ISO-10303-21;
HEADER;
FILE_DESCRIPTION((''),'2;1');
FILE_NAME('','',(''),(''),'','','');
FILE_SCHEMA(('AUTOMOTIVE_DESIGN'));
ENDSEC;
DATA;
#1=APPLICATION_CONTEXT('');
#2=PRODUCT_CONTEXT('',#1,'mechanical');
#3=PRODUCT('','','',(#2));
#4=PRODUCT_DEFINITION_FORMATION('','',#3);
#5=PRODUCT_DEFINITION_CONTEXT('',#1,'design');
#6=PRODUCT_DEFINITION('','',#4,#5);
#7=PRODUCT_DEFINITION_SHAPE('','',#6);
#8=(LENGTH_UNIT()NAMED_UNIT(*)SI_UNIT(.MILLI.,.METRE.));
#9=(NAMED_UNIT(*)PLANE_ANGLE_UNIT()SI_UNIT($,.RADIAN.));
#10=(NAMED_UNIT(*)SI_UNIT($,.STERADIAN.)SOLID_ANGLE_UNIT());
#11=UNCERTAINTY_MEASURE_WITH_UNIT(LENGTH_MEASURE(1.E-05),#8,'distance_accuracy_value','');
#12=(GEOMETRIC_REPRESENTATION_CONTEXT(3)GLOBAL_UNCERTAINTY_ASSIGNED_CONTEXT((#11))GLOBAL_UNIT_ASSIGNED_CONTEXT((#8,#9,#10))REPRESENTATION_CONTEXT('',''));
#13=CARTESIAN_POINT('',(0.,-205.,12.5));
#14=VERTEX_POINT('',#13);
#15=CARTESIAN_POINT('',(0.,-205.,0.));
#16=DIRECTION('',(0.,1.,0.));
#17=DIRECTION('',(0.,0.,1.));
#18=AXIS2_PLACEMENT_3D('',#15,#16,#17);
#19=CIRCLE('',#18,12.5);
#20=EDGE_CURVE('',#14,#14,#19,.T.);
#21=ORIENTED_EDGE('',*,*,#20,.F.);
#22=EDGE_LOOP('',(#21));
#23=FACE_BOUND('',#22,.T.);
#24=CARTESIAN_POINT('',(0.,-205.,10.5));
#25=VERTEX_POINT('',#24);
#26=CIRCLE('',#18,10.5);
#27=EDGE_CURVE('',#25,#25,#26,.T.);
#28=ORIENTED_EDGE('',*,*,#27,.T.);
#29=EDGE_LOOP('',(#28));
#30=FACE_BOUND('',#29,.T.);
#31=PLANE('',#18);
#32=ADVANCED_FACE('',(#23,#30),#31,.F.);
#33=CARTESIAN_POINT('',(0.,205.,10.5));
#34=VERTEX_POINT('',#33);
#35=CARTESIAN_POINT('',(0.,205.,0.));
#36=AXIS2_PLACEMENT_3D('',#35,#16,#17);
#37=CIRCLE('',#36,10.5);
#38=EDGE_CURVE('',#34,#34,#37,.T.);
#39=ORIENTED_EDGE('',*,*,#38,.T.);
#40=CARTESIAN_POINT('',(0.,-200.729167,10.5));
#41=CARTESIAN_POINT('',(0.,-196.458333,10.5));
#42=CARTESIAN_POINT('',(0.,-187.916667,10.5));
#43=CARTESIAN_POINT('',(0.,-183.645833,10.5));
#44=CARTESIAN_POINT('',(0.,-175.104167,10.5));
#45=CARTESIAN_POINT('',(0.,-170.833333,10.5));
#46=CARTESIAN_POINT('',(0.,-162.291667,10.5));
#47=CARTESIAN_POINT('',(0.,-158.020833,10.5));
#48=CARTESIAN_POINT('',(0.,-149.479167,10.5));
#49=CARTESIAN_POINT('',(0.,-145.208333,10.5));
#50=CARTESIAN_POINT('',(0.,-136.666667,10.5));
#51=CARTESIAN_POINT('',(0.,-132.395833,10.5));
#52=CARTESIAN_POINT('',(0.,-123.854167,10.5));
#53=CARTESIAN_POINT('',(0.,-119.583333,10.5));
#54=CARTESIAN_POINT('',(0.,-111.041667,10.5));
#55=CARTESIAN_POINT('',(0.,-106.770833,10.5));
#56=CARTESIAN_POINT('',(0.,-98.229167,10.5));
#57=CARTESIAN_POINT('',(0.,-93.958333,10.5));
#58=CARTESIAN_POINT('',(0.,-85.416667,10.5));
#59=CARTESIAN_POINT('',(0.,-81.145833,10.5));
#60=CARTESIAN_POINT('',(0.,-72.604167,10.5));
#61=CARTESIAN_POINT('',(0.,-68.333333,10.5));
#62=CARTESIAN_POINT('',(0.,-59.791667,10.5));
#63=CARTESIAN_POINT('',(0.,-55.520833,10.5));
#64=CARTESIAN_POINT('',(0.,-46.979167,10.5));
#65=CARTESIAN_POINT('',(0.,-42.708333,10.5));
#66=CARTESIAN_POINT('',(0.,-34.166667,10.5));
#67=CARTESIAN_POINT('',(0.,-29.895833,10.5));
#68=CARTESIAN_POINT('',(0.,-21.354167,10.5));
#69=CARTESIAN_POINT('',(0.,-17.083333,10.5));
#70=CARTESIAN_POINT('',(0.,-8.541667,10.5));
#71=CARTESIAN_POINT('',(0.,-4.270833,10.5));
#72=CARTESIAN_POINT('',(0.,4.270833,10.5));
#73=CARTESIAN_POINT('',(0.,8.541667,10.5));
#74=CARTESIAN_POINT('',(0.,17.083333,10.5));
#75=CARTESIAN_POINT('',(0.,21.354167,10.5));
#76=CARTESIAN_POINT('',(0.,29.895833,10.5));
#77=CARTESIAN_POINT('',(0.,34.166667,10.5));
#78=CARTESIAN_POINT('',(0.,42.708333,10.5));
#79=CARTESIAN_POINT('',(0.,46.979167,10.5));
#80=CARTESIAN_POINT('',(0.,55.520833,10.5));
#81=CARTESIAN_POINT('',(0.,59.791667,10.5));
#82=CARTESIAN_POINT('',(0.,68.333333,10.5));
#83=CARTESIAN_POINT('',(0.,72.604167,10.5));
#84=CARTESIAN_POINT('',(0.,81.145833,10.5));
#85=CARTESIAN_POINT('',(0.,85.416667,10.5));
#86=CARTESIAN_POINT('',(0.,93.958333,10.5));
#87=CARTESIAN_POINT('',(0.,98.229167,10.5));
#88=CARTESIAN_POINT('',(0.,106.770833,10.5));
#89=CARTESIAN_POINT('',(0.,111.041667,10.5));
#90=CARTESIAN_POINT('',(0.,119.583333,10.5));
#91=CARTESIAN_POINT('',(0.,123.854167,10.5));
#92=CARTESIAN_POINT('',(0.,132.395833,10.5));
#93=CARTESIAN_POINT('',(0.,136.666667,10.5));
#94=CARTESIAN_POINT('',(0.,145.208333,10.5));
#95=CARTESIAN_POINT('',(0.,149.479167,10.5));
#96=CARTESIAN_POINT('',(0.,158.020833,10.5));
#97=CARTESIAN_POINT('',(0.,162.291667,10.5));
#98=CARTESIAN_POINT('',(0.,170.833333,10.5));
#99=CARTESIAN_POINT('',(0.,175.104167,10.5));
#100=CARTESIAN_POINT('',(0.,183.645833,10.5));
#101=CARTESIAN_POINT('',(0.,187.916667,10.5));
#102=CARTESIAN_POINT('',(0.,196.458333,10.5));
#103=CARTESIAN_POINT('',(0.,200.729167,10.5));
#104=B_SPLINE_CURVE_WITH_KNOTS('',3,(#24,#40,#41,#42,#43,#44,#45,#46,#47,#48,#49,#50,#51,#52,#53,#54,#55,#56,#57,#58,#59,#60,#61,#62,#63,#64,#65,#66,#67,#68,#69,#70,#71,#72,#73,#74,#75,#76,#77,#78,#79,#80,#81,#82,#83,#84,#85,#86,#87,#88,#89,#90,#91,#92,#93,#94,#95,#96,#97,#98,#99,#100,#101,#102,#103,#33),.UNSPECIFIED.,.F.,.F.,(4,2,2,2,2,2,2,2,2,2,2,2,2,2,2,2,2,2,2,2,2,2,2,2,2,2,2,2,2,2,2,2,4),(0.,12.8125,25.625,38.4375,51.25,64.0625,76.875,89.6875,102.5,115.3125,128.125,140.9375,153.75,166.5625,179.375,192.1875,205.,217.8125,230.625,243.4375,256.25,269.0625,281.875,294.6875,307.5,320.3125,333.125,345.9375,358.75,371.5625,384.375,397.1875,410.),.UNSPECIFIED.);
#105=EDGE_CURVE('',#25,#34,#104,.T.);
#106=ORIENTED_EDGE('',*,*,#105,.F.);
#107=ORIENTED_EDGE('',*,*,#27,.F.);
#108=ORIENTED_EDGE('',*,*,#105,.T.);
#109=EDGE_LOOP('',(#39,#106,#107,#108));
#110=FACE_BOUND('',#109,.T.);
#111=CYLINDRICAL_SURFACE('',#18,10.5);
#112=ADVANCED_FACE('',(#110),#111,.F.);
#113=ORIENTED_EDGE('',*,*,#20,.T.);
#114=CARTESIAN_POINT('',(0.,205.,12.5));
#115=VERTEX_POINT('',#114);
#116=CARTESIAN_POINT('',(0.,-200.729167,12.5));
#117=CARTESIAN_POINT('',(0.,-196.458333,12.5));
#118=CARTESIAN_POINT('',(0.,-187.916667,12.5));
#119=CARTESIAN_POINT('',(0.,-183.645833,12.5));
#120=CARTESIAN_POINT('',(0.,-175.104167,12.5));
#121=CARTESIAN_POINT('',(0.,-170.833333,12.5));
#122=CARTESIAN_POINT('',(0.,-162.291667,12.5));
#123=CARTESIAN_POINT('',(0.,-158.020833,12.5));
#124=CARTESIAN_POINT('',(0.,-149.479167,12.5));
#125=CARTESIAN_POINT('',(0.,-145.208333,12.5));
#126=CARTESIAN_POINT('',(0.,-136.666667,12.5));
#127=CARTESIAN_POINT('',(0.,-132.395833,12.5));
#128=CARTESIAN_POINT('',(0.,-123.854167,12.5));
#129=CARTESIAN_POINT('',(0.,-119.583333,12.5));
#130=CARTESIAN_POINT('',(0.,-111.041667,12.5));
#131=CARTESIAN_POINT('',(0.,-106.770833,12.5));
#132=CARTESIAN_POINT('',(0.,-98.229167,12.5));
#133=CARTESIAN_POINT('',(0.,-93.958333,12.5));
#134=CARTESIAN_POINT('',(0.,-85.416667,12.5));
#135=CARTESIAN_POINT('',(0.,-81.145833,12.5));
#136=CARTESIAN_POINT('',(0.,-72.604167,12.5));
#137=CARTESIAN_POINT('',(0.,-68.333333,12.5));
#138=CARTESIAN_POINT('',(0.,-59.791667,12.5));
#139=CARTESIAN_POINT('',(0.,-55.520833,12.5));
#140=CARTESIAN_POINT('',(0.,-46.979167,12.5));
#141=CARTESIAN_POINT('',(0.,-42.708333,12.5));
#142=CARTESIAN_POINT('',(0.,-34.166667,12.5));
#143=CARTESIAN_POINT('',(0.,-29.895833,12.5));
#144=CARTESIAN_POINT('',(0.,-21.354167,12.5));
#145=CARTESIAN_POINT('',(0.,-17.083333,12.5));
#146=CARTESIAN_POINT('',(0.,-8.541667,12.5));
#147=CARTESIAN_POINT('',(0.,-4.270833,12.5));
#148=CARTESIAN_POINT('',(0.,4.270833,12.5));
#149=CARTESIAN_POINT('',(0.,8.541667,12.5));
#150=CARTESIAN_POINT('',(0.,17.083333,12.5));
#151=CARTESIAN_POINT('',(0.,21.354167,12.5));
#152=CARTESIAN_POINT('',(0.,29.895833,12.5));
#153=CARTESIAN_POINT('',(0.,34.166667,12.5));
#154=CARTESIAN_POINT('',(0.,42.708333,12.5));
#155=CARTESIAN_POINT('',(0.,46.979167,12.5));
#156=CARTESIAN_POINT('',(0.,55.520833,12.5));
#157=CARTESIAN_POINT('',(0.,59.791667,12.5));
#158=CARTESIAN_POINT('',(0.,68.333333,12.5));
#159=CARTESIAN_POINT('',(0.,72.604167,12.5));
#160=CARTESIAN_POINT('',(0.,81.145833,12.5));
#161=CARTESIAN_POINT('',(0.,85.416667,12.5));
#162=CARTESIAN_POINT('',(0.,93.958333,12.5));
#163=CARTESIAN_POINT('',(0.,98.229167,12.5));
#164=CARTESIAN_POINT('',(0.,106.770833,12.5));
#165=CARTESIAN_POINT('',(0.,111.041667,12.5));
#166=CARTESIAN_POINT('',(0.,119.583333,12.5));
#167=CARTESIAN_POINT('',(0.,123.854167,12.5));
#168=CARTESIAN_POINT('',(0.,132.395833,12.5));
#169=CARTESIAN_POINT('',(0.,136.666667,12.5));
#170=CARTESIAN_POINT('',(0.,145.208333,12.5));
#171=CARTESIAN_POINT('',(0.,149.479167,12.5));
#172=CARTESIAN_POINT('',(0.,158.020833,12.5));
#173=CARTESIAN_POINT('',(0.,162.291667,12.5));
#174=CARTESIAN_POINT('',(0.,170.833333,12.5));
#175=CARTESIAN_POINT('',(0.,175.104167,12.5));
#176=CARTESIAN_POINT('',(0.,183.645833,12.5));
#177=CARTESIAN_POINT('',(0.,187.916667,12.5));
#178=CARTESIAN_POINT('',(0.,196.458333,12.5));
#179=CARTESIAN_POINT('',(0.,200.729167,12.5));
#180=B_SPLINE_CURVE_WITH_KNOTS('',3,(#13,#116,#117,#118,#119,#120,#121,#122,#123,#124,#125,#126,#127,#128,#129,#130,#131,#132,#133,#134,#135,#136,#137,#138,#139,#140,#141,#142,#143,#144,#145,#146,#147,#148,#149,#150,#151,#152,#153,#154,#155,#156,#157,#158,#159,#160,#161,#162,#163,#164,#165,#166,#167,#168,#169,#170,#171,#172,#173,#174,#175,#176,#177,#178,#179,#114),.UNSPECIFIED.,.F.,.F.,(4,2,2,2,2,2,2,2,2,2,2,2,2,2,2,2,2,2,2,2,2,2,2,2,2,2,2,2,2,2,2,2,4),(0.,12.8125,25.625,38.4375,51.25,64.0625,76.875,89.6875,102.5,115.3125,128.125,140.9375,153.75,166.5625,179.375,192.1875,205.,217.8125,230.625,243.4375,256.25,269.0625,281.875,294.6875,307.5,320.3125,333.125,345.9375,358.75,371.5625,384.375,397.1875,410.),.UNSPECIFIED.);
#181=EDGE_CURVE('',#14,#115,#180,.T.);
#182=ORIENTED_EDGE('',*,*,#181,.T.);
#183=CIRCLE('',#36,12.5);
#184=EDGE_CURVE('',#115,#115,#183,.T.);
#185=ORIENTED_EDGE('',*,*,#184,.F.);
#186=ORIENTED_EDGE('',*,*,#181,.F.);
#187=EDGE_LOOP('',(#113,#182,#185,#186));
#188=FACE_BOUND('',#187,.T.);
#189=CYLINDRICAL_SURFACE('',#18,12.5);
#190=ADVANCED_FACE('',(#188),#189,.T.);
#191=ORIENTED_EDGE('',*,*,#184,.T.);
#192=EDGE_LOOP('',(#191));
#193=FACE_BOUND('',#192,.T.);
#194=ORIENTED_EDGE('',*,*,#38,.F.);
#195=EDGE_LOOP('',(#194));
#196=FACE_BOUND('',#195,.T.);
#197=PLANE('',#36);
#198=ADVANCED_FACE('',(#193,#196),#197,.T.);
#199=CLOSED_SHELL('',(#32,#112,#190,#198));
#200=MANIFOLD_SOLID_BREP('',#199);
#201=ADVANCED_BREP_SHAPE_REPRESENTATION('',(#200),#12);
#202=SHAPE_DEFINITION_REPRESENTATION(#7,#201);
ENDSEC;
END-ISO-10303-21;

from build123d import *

# Parameters (mm, degrees)
BOSS_EXTRUDE1_DEPTH      = 205
BOSS_EXTRUDE1_DEPTH_BACK = 205
SKETCH1_R                = 12.5
SKETCH1_R_2              = 10.5


with BuildPart() as part:
    # Sketch1 → Boss-Extrude1 (new, two sides: drawn at the far end of the back side and taken through both)
    with BuildSketch(Plane(origin=(0, 0, 0), x_dir=(1, 0, 0), z_dir=(0, 1, 0)).offset(-BOSS_EXTRUDE1_DEPTH_BACK)):
        Circle(SKETCH1_R)
        Circle(SKETCH1_R_2, mode=Mode.SUBTRACT)
    extrude(amount=BOSS_EXTRUDE1_DEPTH + BOSS_EXTRUDE1_DEPTH_BACK)


solid = part.part
